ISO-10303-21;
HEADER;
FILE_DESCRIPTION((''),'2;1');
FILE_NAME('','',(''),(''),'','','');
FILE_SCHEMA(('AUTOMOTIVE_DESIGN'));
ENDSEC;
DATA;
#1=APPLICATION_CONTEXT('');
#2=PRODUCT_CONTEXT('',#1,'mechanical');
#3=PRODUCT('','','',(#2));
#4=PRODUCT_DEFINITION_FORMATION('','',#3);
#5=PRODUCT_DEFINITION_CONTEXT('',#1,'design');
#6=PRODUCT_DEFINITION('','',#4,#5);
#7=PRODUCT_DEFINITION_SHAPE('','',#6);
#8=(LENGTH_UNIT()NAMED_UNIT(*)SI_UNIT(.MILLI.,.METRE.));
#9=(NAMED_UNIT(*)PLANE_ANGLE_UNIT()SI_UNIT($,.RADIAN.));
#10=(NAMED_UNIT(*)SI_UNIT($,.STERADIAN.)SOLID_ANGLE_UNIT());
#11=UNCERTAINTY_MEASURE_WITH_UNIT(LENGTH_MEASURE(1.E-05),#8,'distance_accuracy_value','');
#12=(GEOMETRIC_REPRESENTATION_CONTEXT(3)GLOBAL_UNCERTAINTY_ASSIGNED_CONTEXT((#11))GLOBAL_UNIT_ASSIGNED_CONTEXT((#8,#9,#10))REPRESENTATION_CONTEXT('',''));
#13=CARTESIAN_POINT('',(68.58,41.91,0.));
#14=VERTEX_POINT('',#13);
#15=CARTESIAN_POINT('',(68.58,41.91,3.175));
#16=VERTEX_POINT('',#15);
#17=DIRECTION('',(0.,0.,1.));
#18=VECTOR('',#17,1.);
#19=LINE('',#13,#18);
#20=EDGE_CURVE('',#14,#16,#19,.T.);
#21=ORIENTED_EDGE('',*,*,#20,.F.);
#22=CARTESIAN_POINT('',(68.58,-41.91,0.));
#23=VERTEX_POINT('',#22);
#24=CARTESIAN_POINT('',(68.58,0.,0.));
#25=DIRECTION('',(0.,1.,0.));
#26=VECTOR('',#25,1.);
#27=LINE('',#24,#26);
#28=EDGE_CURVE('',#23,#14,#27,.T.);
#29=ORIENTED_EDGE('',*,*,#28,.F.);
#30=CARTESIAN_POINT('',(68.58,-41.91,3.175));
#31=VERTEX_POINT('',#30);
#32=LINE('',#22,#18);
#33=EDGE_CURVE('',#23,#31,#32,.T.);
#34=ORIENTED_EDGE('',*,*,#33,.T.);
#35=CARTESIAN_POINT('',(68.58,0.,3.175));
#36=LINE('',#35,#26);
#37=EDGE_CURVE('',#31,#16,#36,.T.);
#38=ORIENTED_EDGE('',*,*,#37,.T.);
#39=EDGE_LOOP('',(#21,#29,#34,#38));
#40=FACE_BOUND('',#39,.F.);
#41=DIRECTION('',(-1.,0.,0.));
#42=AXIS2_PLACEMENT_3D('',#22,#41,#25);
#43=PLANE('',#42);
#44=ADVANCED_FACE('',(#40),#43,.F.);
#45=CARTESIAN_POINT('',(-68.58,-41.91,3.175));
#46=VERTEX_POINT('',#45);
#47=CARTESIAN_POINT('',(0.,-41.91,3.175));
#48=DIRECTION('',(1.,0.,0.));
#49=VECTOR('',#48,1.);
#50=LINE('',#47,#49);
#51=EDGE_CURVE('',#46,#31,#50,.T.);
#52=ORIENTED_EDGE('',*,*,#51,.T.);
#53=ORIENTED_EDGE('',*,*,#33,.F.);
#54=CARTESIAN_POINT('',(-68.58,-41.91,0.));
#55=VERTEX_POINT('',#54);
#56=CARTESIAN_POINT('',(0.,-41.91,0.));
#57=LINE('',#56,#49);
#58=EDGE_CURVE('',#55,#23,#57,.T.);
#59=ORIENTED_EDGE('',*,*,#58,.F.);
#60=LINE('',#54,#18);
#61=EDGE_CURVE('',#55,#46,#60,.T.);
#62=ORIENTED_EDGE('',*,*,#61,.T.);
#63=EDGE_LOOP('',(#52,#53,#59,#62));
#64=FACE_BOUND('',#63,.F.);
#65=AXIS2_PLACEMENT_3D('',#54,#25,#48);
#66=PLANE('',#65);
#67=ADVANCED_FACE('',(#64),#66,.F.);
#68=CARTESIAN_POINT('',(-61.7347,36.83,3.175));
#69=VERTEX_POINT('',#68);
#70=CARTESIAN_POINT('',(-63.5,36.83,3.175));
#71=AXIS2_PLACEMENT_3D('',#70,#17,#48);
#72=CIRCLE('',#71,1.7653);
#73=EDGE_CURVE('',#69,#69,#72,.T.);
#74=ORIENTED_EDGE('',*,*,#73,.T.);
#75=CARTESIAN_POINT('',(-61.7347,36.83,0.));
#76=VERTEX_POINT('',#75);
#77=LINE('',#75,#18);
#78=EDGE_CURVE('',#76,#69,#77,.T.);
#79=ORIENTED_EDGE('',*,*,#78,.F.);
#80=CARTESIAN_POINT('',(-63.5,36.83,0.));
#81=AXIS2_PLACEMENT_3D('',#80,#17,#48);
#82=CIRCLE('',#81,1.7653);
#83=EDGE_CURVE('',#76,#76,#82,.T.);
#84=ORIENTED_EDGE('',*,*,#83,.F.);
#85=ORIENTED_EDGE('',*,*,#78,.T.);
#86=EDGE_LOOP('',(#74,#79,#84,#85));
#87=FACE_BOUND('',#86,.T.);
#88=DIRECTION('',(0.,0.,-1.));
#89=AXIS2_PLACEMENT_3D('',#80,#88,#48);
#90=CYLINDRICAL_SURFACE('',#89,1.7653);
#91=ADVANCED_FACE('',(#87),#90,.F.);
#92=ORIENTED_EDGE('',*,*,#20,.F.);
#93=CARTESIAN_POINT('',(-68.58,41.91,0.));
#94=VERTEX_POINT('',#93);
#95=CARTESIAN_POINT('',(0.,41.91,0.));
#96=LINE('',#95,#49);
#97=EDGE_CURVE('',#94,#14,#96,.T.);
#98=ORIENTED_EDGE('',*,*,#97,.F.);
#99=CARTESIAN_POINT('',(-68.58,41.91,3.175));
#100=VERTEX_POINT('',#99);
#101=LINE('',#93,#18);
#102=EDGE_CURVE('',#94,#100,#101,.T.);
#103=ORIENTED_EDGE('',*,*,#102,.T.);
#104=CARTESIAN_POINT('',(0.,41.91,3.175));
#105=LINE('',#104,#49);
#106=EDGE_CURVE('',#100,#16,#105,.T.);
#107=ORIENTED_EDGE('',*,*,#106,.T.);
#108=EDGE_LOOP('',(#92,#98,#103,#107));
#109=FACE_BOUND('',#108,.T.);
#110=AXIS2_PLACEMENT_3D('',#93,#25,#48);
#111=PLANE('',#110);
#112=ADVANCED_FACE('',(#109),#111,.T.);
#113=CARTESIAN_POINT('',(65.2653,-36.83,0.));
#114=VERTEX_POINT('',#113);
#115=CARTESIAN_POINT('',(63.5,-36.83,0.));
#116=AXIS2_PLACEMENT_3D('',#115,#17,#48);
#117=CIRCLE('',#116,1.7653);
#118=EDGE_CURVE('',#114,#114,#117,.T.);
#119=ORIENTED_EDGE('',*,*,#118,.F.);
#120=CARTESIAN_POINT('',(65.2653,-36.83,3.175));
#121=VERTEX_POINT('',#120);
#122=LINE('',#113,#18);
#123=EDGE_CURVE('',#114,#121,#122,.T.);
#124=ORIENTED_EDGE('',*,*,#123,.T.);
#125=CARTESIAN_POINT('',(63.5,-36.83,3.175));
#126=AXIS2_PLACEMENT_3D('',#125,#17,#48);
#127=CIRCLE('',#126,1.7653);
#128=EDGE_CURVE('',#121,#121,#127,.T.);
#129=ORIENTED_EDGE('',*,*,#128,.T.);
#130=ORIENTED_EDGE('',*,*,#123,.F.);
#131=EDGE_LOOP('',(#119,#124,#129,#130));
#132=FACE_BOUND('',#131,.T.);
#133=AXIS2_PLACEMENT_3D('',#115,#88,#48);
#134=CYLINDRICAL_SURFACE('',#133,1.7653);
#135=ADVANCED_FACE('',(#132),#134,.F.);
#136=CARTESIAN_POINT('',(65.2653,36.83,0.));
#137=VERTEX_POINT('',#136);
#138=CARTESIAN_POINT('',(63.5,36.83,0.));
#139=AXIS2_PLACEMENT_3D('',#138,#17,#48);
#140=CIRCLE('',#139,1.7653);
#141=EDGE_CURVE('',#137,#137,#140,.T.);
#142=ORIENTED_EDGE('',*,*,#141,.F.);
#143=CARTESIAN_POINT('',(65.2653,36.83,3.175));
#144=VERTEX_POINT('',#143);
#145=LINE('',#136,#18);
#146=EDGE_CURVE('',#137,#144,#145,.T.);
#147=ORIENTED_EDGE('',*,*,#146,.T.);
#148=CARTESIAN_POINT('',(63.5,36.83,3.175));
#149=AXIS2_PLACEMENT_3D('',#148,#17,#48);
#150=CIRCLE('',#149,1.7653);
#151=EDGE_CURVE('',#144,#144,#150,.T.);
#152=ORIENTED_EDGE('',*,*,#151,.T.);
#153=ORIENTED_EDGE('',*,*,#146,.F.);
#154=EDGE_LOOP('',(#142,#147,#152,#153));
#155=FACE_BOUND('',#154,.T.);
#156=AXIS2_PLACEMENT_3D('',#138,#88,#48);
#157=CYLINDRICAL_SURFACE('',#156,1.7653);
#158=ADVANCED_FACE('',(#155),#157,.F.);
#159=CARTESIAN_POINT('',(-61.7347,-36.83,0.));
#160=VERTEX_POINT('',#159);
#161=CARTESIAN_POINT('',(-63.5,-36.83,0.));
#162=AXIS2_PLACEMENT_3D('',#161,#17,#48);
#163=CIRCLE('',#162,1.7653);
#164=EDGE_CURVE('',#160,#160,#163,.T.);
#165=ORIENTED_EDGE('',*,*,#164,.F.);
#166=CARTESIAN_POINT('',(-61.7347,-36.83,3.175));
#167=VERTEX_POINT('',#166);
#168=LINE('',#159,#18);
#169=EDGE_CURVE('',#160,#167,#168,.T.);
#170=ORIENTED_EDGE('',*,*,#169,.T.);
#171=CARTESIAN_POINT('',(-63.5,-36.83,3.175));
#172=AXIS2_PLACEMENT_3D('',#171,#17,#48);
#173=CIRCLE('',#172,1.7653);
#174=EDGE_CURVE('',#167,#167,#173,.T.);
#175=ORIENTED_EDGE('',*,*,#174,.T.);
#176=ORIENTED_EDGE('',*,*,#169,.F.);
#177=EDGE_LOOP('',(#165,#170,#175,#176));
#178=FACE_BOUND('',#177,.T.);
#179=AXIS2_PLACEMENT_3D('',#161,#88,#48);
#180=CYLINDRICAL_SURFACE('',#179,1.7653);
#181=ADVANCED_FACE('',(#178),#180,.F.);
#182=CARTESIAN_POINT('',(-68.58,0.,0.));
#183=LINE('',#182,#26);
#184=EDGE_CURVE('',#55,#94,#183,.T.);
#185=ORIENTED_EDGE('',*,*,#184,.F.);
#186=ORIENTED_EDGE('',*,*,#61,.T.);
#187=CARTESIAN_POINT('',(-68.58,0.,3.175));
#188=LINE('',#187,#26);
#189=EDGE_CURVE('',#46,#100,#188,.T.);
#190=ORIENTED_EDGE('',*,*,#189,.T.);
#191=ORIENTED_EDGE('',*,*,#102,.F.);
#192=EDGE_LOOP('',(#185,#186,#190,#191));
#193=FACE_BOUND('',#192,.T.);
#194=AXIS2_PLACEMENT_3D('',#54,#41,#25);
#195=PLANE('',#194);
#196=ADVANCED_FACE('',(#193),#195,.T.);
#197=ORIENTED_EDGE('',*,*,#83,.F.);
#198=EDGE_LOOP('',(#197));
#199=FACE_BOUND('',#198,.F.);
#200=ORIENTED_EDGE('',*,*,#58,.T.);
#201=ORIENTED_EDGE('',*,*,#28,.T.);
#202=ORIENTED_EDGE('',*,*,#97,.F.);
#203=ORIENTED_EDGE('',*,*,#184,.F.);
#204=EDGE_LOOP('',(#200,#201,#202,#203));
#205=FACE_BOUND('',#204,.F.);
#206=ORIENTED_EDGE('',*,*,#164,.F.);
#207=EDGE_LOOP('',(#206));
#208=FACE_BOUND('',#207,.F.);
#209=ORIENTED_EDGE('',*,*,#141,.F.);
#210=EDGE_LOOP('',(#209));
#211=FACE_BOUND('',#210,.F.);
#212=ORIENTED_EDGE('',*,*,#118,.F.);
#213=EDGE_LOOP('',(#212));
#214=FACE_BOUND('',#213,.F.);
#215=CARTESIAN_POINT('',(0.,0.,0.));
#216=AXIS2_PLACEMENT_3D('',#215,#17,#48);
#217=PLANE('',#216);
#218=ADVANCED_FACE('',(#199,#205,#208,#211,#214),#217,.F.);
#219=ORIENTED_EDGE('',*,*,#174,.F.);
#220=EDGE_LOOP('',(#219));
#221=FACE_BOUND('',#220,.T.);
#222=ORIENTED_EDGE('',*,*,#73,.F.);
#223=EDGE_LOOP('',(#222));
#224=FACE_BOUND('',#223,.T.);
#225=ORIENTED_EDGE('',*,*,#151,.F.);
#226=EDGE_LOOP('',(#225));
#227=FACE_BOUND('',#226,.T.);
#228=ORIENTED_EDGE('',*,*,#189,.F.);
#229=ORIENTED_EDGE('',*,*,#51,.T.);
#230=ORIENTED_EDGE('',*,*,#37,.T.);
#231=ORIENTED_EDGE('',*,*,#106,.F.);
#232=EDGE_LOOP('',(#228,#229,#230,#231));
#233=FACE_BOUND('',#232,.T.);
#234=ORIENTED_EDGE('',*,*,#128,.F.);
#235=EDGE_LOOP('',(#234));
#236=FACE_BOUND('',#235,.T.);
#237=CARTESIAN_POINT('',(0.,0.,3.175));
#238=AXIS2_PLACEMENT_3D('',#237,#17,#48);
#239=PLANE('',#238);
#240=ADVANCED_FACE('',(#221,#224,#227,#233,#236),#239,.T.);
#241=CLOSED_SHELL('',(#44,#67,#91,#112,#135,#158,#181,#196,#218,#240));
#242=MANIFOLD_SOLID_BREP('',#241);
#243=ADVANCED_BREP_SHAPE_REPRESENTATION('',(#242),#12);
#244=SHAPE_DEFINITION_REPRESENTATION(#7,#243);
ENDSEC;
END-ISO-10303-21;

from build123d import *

# Parameters (mm, degrees)
SKETCH_W  = 137.16
SKETCH_H  = 83.82
SKETCH_R  = 1.7653
PAD_DEPTH = 3.175


with BuildPart() as part:
    # Sketch → Pad (new body)
    with BuildSketch(Plane.XY):
        Rectangle(SKETCH_W, SKETCH_H)
        with Locations((-63.5, -36.83)):
            Circle(SKETCH_R, mode=Mode.SUBTRACT)
        with Locations((-63.5, 36.83)):
            Circle(SKETCH_R, mode=Mode.SUBTRACT)
        with Locations((63.5, 36.83)):
            Circle(SKETCH_R, mode=Mode.SUBTRACT)
        with Locations((63.5, -36.83)):
            Circle(SKETCH_R, mode=Mode.SUBTRACT)
    extrude(amount=PAD_DEPTH)


solid = part.part
